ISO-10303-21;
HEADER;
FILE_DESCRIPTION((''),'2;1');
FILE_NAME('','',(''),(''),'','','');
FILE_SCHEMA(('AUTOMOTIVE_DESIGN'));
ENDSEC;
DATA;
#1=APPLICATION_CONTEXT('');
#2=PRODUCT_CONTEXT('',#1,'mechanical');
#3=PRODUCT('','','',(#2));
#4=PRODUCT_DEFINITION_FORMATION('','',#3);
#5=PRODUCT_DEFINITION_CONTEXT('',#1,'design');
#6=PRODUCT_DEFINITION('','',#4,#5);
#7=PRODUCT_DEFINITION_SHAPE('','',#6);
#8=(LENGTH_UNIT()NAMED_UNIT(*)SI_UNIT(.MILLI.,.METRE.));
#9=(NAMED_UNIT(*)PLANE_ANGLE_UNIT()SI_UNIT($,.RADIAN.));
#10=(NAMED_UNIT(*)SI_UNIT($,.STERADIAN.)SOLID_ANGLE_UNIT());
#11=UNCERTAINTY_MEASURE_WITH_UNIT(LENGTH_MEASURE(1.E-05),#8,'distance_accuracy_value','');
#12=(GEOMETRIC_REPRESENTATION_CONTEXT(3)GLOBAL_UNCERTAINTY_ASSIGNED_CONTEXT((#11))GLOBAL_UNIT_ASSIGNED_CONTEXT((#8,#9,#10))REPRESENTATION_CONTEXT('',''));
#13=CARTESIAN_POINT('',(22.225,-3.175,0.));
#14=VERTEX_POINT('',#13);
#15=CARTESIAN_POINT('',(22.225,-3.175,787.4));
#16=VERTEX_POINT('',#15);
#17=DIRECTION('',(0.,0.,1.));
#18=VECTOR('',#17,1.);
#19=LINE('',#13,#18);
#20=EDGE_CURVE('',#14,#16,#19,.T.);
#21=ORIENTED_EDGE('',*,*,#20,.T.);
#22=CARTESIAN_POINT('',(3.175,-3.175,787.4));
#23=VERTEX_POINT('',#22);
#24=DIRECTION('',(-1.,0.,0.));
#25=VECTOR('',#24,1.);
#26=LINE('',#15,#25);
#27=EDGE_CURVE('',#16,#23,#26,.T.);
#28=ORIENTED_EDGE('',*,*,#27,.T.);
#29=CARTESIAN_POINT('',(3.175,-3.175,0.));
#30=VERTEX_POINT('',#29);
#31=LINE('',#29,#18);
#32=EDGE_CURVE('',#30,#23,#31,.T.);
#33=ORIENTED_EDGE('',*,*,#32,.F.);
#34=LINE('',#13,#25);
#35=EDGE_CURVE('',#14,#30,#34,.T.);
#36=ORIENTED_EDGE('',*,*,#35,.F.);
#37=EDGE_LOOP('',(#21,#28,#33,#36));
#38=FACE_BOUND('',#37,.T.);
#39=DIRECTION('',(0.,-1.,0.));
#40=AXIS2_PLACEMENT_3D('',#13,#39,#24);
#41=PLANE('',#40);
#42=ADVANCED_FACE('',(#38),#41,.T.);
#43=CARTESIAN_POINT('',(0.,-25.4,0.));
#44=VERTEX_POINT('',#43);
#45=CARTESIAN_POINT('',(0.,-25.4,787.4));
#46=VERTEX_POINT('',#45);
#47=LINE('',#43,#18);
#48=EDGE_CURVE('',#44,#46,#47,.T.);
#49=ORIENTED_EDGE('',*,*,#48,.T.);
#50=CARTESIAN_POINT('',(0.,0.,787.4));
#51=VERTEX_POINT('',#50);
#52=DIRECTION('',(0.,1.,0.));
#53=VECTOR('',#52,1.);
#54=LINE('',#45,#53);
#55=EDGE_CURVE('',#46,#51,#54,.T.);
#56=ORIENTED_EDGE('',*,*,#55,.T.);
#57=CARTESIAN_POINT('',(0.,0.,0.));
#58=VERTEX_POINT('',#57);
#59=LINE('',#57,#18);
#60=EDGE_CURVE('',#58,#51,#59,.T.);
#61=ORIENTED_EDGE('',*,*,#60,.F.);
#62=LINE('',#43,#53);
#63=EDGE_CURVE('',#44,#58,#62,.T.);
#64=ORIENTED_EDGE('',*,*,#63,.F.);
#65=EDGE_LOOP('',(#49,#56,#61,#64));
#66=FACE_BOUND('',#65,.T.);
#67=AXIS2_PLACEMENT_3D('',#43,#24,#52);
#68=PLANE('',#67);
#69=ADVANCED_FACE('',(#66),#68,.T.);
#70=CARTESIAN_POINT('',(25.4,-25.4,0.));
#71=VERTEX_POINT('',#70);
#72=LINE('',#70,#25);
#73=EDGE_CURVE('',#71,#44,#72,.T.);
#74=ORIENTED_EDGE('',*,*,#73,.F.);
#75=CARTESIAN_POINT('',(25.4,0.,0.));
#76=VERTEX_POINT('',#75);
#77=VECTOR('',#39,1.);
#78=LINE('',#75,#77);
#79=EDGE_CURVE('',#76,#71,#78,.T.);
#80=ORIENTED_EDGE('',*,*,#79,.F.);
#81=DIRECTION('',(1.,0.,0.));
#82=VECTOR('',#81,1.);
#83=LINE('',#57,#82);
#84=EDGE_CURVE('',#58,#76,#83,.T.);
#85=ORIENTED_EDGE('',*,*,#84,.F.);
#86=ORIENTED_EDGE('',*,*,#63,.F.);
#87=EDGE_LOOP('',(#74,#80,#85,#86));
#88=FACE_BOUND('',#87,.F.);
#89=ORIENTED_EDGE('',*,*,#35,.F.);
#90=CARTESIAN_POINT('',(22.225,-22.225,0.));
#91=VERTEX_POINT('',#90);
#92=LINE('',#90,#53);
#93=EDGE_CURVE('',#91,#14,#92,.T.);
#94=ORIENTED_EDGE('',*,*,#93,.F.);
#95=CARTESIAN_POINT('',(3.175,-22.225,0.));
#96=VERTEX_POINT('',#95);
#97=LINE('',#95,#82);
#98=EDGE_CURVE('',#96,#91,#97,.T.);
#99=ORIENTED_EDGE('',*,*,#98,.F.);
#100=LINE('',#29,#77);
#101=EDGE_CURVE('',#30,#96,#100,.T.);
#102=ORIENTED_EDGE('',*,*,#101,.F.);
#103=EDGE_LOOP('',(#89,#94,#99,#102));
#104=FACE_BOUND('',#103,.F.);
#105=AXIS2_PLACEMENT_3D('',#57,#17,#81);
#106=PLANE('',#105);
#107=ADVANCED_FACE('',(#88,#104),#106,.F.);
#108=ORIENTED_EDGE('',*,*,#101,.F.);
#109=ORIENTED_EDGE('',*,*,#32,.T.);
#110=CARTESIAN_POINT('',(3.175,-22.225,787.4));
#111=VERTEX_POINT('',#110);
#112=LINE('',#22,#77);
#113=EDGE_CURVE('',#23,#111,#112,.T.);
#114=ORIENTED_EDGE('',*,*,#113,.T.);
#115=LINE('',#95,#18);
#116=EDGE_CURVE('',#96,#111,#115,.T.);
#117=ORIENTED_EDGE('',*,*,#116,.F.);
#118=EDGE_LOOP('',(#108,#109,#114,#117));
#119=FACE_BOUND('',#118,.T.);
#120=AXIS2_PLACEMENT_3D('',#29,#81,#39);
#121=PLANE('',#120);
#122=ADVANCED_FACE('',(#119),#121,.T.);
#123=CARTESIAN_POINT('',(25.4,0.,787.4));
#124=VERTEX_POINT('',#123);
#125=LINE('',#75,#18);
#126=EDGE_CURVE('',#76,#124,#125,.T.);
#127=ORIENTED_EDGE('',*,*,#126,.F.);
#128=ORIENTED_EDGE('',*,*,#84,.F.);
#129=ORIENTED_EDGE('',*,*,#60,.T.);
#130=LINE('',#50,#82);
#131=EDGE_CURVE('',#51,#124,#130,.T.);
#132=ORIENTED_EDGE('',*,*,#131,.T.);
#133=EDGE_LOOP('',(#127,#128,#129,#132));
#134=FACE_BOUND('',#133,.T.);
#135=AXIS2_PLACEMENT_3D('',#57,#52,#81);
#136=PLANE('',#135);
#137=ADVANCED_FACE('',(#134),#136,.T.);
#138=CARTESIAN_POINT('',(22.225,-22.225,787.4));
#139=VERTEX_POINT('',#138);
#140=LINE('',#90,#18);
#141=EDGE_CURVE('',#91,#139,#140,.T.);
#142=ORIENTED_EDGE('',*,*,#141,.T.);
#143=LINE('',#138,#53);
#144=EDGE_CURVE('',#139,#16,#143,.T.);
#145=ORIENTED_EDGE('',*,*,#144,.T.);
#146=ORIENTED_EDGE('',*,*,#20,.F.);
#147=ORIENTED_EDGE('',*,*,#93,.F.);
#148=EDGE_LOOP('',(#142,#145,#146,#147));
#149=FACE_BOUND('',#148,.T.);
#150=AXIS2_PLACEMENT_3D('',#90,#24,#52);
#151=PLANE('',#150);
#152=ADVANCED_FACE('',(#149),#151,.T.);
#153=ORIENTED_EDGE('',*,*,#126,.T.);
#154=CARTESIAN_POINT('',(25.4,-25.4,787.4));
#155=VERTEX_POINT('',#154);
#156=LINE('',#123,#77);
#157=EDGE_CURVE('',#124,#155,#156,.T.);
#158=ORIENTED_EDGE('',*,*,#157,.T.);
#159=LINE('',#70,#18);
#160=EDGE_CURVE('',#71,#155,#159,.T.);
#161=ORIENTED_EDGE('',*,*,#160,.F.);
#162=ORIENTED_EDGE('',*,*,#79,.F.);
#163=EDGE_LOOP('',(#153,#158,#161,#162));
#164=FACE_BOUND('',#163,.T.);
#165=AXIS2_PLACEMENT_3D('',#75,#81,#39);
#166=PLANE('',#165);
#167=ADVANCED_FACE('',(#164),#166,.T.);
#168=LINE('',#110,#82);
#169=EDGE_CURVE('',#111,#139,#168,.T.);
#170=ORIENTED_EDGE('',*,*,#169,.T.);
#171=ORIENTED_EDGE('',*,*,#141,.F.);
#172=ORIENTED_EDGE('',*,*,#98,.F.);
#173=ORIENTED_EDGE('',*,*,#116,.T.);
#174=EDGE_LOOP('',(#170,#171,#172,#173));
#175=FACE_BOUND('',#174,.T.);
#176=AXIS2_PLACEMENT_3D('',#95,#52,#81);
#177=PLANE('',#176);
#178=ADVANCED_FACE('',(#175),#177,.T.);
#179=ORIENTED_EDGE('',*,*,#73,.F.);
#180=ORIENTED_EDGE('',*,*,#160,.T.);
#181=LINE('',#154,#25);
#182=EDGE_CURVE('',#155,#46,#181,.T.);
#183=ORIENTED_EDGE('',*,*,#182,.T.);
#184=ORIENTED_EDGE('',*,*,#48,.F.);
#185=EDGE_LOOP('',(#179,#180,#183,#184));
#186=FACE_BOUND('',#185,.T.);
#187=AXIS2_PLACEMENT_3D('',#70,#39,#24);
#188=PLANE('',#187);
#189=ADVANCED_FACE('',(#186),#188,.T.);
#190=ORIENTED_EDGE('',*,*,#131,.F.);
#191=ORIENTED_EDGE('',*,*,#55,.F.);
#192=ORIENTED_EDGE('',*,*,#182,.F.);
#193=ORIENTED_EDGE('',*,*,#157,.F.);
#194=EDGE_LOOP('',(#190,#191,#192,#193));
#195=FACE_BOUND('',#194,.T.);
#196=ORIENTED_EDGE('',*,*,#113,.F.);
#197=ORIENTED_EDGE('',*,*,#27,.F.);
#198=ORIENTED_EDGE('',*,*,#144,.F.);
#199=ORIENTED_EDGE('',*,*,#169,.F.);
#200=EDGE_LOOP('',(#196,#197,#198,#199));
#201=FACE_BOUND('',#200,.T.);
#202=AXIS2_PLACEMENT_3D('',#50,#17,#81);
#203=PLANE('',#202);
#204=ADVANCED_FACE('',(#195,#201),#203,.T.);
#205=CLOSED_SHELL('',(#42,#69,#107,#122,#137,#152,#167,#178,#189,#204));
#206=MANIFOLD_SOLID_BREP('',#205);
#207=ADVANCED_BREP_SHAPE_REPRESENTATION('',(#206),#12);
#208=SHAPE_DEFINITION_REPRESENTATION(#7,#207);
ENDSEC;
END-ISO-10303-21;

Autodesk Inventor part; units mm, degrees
ref_plane "YZ Plane" through (0, 0, 0) normal (1, 0, 0) x (0, 1, 0)
ref_plane "XZ Plane" through (0, 0, 0) normal (0, 1, 0) x (-1, 0, 0)
ref_plane "XY Plane" through (0, 0, 0) normal (0, 0, 1) x (1, 0, 0)
sketch "Sketch1" plane through (0, 0, 0) normal (0, 0, 1) x (1, 0, 0)
  line L0 (0, 0) -> (25.4, 0)
  line L1 (25.4, 0) -> (25.4, -25.4)
  line L2 (25.4, -25.4) -> (0, -25.4)
  line L3 (0, -25.4) -> (0, 0)
  line L4 (22.225, -3.175) -> (3.175, -3.175)
  line L5 (3.175, -3.175) -> (3.175, -22.225)
  line L6 (3.175, -22.225) -> (22.225, -22.225)
  line L7 (22.225, -22.225) -> (22.225, -3.175)
  dimension "d0" = 25.4
  dimension "d1" = 25.4
  dimension "d2" = 3.175
extrude "Extrusion1" add sketch "Sketch1" along normal blind 787.4
properties part number "B long"
